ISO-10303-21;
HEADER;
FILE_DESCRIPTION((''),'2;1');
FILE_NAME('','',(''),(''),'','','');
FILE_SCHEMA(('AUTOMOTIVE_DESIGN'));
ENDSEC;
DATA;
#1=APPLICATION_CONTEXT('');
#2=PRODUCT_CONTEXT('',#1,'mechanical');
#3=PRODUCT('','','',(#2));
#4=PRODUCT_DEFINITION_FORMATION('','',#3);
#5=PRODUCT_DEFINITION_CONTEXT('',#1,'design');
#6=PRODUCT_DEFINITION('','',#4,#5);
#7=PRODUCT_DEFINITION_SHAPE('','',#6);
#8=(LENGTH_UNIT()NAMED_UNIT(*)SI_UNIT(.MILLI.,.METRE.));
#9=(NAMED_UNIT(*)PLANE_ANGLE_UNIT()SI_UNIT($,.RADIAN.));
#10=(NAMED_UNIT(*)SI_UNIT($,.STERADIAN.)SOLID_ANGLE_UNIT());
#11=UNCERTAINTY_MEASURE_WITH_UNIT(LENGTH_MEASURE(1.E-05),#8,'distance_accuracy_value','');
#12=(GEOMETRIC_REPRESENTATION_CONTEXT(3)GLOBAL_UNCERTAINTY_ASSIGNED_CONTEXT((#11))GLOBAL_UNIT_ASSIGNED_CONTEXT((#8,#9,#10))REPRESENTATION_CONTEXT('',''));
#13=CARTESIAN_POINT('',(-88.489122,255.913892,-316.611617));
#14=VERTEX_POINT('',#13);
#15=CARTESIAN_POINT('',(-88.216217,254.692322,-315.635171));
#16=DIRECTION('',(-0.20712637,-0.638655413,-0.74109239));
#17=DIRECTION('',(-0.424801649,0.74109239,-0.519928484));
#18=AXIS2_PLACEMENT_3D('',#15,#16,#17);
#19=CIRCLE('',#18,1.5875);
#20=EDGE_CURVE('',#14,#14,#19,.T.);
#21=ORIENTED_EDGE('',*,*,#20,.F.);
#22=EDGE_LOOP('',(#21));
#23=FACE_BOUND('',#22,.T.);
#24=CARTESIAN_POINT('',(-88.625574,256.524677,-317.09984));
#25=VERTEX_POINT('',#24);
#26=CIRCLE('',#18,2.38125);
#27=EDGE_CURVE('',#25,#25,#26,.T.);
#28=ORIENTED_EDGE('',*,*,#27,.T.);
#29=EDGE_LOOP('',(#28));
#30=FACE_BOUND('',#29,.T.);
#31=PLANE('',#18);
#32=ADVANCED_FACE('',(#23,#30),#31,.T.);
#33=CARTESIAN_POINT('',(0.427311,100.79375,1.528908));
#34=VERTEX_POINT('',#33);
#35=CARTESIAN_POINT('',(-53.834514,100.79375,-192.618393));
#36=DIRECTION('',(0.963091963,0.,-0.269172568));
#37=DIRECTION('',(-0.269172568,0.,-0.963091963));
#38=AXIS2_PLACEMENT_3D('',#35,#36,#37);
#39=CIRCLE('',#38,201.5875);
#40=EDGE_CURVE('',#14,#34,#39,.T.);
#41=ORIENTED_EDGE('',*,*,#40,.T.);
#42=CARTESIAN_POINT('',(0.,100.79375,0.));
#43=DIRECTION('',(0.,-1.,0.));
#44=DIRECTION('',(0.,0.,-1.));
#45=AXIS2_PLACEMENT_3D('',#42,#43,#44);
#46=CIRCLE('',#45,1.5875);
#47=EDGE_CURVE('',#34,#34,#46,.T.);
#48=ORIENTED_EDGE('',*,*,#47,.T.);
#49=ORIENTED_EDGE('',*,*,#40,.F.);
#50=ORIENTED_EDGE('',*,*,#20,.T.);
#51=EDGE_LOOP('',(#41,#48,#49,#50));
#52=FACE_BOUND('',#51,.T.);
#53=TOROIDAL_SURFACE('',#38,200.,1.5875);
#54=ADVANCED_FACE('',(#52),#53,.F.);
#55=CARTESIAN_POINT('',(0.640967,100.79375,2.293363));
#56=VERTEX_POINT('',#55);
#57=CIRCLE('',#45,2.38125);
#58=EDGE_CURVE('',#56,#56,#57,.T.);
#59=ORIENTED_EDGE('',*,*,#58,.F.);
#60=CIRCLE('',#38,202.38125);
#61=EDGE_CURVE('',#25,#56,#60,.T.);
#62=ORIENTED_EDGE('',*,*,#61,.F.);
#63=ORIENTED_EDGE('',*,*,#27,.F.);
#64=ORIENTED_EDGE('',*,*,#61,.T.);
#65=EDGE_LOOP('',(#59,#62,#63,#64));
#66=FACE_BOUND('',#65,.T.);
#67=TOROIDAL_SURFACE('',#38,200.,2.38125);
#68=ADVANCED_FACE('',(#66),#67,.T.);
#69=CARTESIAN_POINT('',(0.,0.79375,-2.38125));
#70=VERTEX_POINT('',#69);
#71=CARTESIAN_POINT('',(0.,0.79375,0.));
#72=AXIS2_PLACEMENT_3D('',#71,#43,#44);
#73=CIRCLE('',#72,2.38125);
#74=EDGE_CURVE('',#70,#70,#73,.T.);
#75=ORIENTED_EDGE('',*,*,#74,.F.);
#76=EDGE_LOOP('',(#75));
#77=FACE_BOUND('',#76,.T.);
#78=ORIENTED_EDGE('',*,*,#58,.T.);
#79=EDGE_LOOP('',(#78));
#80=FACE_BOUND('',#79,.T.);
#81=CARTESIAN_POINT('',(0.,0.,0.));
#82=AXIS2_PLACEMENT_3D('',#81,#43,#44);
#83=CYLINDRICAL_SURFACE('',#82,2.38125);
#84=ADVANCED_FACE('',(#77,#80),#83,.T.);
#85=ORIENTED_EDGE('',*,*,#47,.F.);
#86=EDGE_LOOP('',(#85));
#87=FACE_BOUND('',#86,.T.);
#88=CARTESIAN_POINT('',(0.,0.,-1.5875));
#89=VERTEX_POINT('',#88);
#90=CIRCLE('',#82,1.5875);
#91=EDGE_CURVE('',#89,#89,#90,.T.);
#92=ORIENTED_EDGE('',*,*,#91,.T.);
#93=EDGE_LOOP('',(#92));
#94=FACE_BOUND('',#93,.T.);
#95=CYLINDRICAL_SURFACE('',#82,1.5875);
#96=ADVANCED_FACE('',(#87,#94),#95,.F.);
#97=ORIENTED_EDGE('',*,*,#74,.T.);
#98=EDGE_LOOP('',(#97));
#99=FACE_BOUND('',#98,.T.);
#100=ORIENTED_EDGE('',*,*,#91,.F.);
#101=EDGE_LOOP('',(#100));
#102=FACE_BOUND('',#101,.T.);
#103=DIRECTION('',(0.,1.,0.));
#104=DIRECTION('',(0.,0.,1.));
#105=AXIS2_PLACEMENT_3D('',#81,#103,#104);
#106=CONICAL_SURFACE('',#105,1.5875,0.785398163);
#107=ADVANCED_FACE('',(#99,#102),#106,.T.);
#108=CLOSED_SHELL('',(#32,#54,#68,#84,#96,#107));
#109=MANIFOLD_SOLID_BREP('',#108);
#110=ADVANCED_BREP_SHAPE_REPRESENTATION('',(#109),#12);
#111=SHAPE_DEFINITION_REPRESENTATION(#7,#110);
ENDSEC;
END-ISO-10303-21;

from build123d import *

# Parameters (mm, degrees)
SKETCH3_R   = 2.38125
SKETCH3_R_2 = 1.5875


with BuildPart() as part:
    # Sketch1 → Revolve1 (revolve)
    with BuildSketch(Plane.XY):
        Polygon((1.5875, 100.79375), (2.38125, 100.79375), (2.38125, 0.79375), (1.5875, 0), align=None)
    revolve(axis=Axis((0, 0, 0), (0, 1, 0)))

    # Sweep1: sweep along a path in Sketch2
    with BuildLine(Plane(origin=(0, 0, 0), x_dir=(-0.269172568, 0, -0.963091963), z_dir=(0.963091963, 0, -0.269172568))) as sweep1_path:
        ThreePointArc((0, 100.79375), (114.988872804, 281.827195122), (327.731082529, 254.6923223))
    # Sketch3 → Sweep1 (sweep)
    with BuildSketch(Plane(origin=(0, 100.79375, 0), x_dir=(1, 0, 0), z_dir=(0, 1, 0))):
        Circle(SKETCH3_R)
        Circle(SKETCH3_R_2, mode=Mode.SUBTRACT)
    sweep(path=sweep1_path.line)


solid = part.part
